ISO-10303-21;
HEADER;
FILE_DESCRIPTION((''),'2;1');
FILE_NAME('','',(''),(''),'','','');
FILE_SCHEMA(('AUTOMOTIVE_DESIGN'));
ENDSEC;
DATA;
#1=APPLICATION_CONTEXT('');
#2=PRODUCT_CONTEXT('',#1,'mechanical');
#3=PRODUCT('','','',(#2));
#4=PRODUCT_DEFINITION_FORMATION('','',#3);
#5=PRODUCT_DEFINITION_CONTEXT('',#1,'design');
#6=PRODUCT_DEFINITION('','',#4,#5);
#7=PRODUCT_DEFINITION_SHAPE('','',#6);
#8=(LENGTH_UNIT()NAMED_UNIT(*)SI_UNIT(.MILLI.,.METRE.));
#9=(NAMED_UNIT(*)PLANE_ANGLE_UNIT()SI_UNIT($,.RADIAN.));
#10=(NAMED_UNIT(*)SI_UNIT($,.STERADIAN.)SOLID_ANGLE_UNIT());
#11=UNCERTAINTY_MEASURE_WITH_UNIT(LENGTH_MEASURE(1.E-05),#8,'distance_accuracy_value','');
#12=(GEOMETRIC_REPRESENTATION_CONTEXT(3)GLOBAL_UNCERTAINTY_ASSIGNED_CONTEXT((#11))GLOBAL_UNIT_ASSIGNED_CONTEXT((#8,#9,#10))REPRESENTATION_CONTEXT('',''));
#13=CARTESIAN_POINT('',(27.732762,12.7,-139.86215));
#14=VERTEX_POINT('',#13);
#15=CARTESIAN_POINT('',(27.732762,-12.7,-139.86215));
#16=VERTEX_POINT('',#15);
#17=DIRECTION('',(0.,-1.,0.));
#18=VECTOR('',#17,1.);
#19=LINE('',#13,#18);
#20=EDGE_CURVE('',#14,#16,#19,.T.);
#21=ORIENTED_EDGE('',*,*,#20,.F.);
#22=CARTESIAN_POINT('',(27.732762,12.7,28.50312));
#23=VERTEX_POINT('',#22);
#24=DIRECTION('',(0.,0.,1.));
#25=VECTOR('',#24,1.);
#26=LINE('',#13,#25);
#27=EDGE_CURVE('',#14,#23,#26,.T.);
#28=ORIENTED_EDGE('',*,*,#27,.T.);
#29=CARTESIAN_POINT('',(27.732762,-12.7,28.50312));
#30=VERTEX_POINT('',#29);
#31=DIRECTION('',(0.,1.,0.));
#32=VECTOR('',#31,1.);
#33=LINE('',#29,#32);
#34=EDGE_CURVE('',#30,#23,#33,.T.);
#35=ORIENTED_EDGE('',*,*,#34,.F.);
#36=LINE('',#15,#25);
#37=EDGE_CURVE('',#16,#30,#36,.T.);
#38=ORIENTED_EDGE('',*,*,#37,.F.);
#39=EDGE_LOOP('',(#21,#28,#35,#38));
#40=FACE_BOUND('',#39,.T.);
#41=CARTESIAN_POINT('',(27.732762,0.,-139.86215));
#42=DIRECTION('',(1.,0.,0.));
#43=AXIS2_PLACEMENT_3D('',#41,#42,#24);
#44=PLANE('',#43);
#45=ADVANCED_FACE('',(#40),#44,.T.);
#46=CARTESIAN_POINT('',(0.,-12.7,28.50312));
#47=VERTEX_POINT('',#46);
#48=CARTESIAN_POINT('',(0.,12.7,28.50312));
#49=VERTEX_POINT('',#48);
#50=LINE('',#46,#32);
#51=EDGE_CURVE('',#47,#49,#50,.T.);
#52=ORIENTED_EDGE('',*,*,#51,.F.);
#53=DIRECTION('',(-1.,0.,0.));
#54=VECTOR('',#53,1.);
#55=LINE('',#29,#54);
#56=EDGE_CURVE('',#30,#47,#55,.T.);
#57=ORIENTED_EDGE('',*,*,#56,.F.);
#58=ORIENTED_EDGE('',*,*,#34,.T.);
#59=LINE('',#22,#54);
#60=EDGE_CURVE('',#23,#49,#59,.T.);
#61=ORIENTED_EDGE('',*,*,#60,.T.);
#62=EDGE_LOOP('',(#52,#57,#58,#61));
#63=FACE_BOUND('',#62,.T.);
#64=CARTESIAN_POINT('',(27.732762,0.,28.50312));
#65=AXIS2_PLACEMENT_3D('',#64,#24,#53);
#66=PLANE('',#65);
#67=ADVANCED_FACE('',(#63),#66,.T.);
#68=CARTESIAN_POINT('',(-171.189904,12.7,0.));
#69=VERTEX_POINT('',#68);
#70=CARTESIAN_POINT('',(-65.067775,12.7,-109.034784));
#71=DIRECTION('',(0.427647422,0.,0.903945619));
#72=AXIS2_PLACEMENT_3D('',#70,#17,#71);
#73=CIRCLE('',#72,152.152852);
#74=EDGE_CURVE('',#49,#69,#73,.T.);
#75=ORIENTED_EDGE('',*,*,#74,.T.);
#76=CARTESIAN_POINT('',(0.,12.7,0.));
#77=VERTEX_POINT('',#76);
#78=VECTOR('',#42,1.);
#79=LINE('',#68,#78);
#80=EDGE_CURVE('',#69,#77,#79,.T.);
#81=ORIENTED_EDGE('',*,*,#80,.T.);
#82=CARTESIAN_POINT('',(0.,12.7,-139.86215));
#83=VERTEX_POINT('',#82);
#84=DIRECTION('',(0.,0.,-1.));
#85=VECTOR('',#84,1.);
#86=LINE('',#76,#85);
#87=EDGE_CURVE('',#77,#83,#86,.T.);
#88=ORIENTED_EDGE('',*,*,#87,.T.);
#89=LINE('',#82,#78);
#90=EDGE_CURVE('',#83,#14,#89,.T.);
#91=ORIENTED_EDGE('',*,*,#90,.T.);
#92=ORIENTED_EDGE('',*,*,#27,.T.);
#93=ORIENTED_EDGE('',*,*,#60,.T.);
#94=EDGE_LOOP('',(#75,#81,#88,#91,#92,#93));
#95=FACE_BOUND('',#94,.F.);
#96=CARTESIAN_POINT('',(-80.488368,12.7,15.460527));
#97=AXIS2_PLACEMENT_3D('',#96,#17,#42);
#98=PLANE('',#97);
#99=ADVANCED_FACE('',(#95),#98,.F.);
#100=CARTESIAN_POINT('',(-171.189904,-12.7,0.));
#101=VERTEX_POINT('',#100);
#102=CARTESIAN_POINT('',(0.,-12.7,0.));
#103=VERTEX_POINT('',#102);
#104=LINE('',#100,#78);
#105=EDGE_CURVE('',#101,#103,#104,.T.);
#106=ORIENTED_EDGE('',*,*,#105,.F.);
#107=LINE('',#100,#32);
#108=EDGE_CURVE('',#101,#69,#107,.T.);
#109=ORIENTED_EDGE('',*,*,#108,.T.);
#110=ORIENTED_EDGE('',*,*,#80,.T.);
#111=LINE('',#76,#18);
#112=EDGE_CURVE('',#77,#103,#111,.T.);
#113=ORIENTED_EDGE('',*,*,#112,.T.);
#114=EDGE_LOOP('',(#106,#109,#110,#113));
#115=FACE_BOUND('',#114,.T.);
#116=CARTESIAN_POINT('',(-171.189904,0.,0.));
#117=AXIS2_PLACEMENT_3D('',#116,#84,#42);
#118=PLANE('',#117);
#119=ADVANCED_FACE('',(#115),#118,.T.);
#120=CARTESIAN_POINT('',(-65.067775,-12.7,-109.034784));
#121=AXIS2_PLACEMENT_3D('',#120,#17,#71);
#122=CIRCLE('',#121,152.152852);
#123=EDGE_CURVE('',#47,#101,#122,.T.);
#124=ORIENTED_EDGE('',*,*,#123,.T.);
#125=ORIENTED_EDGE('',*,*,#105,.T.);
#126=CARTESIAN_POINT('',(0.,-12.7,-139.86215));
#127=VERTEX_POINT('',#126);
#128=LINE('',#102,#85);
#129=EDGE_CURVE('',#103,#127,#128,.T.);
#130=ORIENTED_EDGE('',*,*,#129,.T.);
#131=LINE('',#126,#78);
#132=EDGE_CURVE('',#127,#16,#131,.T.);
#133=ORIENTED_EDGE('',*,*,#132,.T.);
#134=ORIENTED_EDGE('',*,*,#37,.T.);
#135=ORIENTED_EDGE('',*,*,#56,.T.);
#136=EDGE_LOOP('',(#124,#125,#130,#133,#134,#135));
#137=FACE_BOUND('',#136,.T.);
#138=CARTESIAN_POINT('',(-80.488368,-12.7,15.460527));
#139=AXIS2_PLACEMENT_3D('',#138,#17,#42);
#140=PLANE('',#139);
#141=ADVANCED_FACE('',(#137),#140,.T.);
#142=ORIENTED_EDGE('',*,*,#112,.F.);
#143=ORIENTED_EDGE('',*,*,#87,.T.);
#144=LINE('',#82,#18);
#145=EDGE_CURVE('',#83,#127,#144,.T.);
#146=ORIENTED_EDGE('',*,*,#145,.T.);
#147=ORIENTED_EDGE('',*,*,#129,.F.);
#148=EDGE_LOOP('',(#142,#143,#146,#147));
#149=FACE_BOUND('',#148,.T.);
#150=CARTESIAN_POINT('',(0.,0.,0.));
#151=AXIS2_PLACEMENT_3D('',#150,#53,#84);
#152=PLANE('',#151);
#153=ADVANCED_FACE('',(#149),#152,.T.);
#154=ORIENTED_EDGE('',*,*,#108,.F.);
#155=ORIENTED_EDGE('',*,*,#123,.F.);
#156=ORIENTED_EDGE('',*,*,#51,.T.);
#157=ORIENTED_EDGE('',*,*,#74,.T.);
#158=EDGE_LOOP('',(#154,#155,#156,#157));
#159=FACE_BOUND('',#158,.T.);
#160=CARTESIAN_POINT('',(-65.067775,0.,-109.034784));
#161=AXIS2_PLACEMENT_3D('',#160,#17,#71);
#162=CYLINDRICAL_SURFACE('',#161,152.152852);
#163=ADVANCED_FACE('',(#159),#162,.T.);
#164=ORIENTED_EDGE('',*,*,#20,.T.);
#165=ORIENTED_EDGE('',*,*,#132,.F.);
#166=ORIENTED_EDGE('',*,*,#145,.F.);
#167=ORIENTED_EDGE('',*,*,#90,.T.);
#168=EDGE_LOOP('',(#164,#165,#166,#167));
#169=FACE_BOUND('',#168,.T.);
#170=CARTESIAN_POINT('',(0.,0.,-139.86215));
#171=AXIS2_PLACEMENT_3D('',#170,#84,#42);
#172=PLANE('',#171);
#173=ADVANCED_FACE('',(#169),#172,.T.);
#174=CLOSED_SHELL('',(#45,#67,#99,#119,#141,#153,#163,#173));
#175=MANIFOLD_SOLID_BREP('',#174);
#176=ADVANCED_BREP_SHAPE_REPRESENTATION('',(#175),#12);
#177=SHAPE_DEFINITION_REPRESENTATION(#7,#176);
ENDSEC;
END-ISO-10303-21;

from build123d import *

# Parameters (mm, degrees)
F1_DEPTH = 12.7


with BuildPart() as f1:
    # F0 (on Front) → F1 (new body, symmetric)
    with BuildSketch(Plane.XZ):
        with BuildLine():
            Line((-171.189904, 0), (0, 0))
            Line((0, 0), (0, 28.50312))
            ThreePointArc((0, 28.50312), (-90.057212, 41.051919), (-171.189904, 0))
        make_face()
        Polygon((0, 28.50312), (0, 0), (0, -139.86215), (27.732762, -139.86215), (27.732762, 28.50312), align=None)
    extrude(amount=F1_DEPTH, both=True)


solid = f1.part
